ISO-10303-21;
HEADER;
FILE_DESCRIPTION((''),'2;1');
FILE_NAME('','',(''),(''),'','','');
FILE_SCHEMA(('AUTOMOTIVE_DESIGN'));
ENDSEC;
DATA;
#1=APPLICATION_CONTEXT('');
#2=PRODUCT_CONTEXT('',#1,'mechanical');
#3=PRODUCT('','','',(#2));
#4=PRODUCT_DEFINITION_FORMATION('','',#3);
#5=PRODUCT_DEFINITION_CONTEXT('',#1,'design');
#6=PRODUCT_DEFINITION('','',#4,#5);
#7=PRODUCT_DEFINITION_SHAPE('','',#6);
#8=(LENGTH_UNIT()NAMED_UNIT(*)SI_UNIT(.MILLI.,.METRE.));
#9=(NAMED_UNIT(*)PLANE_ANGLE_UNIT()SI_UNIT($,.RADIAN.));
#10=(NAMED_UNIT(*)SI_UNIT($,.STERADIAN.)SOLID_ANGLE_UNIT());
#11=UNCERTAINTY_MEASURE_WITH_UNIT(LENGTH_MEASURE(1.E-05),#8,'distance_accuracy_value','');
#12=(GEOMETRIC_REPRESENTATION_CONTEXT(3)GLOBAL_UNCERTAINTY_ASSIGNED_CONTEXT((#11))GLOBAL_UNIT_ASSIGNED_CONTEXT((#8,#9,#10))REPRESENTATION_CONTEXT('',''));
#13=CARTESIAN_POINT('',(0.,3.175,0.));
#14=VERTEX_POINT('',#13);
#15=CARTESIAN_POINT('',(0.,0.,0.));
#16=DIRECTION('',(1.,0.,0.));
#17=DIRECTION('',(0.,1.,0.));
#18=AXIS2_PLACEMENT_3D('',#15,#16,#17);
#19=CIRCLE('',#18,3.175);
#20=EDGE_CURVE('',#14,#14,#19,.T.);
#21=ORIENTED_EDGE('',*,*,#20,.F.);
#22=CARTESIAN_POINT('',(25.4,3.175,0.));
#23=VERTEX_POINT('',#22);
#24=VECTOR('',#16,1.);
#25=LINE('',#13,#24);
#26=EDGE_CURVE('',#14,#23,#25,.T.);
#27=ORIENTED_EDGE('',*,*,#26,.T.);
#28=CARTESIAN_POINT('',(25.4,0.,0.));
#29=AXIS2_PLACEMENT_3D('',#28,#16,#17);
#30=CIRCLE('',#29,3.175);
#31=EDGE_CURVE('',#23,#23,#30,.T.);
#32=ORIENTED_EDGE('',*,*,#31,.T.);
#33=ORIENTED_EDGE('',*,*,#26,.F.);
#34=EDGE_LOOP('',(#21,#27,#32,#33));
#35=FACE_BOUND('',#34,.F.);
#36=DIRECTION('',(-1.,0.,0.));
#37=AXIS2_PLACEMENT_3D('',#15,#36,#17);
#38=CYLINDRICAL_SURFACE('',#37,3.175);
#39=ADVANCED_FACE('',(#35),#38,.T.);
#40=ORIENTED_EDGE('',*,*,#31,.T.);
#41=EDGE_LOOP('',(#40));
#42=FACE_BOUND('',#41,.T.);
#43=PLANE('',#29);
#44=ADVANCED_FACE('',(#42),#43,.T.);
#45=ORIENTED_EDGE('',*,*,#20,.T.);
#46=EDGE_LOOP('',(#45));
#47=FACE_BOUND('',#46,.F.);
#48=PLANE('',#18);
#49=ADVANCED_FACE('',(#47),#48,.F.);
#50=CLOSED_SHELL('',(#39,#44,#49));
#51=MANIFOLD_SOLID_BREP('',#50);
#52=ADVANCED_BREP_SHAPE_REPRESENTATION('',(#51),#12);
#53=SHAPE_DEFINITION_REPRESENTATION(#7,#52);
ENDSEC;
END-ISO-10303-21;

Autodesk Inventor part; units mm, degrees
ref_plane "YZ Plane" through (0, 0, 0) normal (1, 0, 0) x (0, 1, 0)
ref_plane "XZ Plane" through (0, 0, 0) normal (0, 1, 0) x (-1, 0, 0)
ref_plane "XY Plane" through (0, 0, 0) normal (0, 0, 1) x (1, 0, 0)
sketch "Sketch1" plane through (0, 0, 0) normal (1, 0, 0) x (0, 1, 0)
  circle A0 centre (0, 0) radius 3.175
  dimension "d0" = 6.35
extrude "Extrusion1" add sketch "Sketch1" along normal blind 25.4
properties part number "pin"
